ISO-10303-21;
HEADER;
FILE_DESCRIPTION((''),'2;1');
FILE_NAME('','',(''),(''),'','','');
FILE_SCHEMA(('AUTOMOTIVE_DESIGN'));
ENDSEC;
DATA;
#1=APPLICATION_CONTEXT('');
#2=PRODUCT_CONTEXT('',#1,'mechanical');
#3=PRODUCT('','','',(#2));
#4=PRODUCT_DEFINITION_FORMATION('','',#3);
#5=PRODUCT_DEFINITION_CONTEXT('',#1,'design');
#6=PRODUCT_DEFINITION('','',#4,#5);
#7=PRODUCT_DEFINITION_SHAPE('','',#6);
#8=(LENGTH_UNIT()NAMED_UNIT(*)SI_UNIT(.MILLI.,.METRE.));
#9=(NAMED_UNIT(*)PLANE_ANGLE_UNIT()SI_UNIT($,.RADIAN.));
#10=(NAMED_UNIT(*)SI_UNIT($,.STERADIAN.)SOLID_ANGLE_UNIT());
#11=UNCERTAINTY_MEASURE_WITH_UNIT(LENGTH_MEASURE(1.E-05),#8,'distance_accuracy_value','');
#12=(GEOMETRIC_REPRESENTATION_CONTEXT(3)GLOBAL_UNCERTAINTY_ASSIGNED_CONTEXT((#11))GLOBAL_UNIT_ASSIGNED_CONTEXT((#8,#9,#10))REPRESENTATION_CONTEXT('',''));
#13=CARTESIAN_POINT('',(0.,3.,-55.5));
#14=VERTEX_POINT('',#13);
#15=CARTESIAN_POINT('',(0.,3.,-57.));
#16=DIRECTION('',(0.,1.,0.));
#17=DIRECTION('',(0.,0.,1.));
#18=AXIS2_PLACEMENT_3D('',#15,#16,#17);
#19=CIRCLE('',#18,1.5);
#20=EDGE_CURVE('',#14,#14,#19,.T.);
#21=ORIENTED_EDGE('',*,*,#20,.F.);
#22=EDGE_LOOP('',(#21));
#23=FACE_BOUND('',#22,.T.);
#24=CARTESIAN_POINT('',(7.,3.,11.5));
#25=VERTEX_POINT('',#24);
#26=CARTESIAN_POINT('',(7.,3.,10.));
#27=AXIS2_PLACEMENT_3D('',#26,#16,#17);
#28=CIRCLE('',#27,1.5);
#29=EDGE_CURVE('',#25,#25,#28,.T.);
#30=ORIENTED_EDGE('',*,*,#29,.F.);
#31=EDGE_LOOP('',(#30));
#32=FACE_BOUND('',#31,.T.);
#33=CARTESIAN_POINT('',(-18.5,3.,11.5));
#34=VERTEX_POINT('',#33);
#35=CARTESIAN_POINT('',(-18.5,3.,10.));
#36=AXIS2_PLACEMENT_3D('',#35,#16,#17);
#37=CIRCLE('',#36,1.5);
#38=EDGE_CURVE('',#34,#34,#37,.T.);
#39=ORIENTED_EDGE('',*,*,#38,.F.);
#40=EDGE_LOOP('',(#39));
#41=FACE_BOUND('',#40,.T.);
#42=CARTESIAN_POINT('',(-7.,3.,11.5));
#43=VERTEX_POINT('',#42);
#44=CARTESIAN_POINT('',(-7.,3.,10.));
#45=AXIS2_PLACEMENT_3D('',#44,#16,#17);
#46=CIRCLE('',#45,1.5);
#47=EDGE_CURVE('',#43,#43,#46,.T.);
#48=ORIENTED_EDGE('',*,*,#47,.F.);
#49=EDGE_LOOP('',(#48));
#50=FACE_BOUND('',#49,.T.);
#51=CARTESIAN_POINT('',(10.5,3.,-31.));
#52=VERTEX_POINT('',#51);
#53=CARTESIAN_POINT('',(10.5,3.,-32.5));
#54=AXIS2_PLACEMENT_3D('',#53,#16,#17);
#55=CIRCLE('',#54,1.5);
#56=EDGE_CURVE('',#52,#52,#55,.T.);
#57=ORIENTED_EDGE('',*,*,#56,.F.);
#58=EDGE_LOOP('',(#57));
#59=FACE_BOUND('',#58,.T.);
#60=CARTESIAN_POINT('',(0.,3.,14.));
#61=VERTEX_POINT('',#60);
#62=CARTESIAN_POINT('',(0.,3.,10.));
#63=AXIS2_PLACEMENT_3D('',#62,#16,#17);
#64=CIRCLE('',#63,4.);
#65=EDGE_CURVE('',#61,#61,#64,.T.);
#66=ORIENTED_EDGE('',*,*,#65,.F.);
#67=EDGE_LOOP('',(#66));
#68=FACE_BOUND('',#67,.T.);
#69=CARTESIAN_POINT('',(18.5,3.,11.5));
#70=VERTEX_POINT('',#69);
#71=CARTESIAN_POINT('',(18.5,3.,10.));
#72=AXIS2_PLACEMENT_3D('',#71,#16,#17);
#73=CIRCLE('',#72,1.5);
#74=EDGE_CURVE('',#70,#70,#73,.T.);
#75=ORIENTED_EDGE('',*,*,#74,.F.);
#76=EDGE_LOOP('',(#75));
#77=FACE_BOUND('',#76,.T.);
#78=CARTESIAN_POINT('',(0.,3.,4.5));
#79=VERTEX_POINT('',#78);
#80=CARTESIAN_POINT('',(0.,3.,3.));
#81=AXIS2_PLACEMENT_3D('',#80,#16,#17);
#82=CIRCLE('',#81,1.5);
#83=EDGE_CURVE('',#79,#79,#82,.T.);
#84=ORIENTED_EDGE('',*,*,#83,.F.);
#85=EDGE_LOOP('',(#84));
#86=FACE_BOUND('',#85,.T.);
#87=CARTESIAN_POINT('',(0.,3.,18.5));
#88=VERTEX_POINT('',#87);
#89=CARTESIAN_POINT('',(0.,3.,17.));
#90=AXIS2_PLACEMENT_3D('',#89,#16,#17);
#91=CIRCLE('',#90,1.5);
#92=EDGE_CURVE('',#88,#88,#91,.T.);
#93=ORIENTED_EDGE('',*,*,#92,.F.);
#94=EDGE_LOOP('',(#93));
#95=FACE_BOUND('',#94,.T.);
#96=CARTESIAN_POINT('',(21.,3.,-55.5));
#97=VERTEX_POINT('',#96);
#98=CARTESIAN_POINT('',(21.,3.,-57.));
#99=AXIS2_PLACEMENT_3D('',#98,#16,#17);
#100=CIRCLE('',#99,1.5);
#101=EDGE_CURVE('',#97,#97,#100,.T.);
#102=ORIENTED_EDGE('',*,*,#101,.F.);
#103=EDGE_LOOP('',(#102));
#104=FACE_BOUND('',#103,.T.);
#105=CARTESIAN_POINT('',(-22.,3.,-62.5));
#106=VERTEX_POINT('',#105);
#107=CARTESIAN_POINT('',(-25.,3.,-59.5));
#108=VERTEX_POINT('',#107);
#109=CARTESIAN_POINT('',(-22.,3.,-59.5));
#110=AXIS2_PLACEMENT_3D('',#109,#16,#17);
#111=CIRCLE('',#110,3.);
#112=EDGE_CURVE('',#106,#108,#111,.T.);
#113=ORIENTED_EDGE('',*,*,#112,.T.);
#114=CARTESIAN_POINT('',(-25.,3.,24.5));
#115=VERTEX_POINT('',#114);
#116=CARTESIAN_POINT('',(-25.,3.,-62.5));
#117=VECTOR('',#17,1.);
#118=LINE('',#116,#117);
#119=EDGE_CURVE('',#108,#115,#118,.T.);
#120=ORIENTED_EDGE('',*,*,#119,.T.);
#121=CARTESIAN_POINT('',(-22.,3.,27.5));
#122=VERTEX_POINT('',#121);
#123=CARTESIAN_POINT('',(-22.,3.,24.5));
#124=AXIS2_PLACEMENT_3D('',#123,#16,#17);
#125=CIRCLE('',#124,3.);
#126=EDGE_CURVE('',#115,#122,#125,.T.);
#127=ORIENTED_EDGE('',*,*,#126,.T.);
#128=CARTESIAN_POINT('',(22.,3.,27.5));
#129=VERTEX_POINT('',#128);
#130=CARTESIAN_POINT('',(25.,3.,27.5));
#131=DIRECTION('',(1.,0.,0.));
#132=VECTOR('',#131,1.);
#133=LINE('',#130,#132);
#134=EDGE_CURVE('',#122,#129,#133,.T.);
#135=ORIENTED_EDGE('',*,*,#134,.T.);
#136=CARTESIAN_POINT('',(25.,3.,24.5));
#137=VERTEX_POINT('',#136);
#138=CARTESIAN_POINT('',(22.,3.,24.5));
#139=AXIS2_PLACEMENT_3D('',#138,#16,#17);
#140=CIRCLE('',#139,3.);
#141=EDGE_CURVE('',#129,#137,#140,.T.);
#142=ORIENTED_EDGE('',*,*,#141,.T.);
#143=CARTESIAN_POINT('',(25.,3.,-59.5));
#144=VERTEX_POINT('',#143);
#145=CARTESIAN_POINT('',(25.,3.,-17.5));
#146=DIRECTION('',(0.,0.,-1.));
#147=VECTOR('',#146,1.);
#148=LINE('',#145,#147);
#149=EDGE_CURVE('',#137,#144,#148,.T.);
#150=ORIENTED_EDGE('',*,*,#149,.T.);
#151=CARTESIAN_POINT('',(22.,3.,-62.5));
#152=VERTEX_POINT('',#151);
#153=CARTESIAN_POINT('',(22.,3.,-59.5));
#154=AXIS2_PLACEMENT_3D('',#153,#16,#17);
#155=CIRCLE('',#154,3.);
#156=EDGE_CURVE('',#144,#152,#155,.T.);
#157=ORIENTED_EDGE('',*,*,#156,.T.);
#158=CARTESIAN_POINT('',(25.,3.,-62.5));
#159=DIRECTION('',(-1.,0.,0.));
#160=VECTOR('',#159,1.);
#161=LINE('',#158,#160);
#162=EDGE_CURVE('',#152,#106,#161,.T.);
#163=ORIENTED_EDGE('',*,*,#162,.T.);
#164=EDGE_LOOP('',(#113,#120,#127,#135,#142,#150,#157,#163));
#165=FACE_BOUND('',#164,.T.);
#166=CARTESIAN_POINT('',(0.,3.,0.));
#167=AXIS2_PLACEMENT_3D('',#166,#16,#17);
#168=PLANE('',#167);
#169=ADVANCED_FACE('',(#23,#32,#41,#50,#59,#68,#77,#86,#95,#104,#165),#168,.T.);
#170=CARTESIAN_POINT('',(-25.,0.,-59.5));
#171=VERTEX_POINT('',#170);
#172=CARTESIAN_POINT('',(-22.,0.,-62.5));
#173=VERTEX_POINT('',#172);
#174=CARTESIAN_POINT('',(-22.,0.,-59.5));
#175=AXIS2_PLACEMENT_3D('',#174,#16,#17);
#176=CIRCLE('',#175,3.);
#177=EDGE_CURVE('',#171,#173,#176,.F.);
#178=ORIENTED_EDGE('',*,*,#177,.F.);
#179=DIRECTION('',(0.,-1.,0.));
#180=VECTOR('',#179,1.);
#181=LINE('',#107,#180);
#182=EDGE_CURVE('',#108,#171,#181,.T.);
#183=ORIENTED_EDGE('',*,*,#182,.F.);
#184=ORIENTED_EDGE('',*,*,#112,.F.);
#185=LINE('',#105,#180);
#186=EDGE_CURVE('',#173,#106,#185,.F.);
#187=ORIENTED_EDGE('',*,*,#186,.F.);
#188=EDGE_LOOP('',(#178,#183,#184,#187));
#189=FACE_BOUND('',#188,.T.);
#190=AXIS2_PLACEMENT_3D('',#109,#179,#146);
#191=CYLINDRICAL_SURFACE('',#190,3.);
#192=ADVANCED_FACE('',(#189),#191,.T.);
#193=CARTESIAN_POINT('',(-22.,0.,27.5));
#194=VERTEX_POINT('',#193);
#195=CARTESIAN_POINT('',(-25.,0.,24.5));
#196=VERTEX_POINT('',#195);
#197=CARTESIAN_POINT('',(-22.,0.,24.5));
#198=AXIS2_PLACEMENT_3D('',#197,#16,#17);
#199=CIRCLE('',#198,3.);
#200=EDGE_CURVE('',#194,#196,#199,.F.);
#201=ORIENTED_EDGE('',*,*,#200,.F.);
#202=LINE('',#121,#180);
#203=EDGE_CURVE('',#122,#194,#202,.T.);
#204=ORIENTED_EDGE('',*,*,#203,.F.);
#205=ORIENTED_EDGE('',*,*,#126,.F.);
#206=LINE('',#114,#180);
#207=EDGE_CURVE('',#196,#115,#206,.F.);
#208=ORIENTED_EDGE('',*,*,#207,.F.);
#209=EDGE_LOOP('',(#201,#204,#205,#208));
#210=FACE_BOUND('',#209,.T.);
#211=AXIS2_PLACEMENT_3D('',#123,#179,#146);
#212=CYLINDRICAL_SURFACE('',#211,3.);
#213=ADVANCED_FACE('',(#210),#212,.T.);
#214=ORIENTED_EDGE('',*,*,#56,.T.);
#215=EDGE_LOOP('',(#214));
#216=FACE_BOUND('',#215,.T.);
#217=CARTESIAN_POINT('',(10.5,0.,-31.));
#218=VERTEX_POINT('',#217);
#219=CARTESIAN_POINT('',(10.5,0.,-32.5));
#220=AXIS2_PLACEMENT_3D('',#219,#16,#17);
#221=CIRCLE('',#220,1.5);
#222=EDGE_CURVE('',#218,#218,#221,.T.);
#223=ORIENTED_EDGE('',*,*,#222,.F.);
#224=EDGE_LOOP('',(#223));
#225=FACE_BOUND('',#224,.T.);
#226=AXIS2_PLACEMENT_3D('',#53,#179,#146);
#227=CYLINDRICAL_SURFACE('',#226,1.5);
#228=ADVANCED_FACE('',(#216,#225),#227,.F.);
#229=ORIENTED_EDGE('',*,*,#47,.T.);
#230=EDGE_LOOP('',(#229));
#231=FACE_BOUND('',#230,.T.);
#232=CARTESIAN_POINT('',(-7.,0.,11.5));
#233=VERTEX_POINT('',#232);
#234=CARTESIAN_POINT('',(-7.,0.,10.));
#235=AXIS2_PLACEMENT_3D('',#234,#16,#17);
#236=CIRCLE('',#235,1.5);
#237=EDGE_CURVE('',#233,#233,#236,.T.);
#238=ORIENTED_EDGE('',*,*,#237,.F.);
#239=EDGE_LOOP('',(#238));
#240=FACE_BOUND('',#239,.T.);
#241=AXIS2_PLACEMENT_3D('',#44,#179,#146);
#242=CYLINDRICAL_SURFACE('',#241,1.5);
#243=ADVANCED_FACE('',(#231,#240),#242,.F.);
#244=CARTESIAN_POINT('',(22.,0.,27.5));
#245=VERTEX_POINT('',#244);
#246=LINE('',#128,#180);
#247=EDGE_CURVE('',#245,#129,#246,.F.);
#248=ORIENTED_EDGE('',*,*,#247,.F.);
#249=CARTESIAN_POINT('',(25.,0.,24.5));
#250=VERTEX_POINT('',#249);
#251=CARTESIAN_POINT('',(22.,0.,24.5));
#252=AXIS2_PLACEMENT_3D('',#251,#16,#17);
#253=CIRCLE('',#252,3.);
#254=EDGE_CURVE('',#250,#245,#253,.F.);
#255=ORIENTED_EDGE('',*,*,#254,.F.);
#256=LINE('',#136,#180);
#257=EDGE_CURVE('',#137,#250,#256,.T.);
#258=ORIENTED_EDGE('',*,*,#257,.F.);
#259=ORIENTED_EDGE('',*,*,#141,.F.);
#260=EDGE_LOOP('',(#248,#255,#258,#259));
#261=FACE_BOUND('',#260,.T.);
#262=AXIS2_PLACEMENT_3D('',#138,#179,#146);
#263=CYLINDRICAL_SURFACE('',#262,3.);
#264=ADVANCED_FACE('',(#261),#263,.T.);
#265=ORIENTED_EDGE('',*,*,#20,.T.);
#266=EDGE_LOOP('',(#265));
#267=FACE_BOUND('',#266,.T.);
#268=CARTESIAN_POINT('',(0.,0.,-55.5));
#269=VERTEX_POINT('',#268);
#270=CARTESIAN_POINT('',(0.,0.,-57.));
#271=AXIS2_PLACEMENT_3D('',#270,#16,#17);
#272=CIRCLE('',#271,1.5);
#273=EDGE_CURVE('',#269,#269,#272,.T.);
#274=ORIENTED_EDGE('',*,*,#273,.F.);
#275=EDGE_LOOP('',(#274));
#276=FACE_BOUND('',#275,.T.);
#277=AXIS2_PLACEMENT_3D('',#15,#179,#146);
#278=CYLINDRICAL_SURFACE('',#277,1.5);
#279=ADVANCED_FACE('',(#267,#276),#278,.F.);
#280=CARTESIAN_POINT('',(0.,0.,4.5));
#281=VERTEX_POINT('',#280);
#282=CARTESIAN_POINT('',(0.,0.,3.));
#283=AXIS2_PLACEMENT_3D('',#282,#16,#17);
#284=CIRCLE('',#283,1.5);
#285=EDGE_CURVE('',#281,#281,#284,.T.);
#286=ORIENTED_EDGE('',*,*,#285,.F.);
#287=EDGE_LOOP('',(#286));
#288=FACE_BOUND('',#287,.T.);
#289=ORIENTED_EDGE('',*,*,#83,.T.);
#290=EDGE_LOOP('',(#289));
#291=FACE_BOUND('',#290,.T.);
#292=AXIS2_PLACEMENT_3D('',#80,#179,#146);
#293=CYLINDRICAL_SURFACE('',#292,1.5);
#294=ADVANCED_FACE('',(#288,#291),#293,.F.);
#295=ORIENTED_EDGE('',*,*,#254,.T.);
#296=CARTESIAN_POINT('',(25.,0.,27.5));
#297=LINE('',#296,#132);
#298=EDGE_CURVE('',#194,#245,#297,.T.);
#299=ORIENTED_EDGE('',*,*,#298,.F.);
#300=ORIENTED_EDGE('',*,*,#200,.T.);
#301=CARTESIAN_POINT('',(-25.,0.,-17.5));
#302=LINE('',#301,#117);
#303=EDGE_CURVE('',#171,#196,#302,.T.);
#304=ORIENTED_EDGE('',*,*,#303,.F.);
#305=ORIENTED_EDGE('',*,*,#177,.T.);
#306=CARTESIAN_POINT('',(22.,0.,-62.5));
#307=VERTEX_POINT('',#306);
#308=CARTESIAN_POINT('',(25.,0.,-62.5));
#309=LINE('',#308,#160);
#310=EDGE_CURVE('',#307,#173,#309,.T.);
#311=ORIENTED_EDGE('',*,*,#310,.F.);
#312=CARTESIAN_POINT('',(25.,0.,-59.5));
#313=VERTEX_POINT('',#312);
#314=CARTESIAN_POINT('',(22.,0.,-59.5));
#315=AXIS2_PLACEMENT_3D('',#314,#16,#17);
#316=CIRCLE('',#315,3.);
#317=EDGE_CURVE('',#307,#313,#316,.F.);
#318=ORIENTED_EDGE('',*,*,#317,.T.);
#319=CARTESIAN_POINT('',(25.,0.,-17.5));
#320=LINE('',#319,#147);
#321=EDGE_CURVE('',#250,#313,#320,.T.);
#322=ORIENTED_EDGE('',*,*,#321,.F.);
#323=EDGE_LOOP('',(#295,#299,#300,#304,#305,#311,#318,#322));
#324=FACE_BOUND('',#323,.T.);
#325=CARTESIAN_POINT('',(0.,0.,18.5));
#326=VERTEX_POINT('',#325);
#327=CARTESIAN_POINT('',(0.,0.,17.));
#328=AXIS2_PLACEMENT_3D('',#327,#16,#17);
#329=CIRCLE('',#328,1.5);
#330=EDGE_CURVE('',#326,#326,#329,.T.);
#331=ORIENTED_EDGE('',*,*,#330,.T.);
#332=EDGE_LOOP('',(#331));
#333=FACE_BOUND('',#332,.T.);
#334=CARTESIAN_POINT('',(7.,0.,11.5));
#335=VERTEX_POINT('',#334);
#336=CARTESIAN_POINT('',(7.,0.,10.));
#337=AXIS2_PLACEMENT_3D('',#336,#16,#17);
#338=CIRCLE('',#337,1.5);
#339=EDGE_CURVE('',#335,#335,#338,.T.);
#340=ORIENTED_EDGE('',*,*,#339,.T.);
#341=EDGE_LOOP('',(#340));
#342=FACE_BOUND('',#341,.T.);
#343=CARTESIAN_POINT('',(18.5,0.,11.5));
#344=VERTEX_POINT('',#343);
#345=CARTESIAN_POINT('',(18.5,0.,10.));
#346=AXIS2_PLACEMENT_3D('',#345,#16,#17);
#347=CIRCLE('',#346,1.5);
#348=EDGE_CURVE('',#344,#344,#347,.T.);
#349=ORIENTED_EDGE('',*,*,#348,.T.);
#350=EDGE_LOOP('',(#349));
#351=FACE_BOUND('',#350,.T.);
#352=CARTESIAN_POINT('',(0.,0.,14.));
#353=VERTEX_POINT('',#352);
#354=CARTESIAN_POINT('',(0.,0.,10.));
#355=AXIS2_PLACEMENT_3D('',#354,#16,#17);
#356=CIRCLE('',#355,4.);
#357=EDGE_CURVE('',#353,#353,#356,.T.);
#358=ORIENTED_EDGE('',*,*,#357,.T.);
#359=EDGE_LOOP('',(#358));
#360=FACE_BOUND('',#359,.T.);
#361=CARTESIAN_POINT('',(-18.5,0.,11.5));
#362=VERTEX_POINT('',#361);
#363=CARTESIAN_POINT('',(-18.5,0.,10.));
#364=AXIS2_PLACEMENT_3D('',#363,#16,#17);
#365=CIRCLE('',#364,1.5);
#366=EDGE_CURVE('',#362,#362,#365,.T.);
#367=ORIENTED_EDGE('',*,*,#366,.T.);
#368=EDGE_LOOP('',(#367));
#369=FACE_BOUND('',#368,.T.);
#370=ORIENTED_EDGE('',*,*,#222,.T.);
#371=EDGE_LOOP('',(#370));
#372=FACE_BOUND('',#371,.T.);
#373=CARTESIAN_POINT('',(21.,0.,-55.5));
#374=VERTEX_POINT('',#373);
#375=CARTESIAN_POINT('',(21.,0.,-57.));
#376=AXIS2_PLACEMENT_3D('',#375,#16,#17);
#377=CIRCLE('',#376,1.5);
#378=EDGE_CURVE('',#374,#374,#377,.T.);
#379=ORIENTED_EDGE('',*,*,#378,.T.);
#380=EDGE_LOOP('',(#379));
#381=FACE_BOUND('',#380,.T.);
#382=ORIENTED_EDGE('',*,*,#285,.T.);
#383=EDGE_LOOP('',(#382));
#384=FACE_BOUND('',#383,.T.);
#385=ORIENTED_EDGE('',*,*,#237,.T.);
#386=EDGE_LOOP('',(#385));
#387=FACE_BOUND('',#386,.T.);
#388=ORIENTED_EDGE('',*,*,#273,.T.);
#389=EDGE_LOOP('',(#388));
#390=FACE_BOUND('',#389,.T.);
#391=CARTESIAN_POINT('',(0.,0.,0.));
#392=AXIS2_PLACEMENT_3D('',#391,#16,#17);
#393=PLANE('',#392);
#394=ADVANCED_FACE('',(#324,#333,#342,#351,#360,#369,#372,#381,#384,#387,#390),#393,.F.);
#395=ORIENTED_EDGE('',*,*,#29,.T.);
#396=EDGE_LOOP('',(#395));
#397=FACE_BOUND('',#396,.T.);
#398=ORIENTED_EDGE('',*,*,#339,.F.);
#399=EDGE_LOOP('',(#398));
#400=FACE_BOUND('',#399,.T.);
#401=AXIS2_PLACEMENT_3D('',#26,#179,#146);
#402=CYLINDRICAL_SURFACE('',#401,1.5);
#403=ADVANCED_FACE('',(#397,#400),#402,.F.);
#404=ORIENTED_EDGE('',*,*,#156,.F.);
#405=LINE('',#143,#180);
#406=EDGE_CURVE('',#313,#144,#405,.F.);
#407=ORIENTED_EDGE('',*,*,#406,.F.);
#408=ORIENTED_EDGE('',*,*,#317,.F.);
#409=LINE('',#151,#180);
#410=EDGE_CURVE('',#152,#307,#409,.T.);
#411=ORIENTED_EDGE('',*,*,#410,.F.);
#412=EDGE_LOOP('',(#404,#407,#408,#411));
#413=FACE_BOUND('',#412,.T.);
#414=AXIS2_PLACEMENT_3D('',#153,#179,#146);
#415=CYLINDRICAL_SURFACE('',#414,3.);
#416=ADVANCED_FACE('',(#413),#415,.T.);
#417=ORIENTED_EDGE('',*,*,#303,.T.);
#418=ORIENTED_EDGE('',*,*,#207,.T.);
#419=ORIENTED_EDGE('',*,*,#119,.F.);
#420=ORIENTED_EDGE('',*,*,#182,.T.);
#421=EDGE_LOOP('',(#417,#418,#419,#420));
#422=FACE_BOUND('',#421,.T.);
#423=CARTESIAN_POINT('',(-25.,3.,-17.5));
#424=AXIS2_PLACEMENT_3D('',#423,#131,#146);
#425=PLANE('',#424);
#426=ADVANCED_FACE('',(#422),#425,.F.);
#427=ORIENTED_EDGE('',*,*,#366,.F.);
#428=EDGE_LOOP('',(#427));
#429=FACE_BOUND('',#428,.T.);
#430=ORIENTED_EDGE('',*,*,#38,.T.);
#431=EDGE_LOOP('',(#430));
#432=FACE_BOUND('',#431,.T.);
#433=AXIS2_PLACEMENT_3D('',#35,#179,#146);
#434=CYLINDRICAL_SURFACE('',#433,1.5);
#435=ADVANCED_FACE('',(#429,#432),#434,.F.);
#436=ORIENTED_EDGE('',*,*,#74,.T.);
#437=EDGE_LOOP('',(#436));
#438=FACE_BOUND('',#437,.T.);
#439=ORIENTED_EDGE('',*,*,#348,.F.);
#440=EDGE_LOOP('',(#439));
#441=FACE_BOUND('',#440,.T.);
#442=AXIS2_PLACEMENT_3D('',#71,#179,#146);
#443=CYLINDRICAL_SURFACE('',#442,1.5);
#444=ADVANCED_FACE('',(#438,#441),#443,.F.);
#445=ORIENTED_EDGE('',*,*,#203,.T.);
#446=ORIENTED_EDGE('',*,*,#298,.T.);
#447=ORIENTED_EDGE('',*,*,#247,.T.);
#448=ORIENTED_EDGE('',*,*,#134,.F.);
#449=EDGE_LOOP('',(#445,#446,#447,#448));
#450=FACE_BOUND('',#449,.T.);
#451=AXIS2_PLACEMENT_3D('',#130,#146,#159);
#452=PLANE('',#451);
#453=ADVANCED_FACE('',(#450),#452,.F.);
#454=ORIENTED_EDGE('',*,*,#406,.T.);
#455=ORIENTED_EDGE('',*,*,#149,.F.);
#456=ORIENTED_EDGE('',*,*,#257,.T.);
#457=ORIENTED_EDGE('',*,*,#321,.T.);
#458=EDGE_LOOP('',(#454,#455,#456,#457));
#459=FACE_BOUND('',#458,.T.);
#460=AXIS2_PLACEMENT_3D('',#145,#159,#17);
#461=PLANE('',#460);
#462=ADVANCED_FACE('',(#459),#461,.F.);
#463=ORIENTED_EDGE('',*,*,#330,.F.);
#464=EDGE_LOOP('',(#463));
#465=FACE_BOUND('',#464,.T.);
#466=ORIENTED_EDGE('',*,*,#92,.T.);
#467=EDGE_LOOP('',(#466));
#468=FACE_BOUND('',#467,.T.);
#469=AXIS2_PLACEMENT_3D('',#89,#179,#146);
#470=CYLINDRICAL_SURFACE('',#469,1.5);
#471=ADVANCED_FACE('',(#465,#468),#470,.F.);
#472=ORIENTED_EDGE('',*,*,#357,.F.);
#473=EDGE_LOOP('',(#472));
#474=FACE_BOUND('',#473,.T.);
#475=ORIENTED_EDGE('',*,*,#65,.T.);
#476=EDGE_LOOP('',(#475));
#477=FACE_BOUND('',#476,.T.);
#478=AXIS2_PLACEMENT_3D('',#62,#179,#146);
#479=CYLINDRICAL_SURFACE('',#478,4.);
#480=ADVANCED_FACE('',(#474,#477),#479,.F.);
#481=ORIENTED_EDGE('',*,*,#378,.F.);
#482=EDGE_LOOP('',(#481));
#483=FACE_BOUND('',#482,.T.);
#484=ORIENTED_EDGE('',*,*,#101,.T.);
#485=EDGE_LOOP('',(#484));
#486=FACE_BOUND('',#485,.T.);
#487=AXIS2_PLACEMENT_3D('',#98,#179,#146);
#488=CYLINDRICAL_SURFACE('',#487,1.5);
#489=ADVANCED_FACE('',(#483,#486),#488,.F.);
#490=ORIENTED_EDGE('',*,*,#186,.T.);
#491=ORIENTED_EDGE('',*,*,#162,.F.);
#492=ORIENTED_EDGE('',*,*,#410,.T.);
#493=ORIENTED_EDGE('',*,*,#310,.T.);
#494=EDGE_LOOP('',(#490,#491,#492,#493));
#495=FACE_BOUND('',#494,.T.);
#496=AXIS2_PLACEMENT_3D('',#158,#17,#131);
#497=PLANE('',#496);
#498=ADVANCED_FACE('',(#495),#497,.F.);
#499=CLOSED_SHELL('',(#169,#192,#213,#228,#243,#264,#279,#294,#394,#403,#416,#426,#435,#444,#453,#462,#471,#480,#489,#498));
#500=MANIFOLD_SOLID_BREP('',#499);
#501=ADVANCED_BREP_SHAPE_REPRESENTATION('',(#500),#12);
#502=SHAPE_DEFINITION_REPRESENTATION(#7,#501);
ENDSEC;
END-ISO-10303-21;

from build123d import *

# Parameters (mm, degrees)
SKETCH_1_R      = 1.5
SKETCH_1_R_2    = 4
EXTRUDE_1_DEPTH = 3
FILLET_2_R      = 3


with BuildPart() as part:
    # 草图1 → 凸台-拉伸1 (new body)
    with BuildSketch(Plane(origin=(0, 0, 0), x_dir=(1, 0, 0), z_dir=(0, 1, 0))):
        Polygon((25, 17.5), (25, -27.5), (-25, -27.5), (-25, 17.5), (-25, 62.5), (25, 62.5), align=None)
        with Locations(Location((0, 57, 0), (0, 0, 270))):
            Circle(SKETCH_1_R, mode=Mode.SUBTRACT)
        with Locations(Location((10.5, 32.5, 0), (0, 0, 270))):
            Circle(SKETCH_1_R, mode=Mode.SUBTRACT)
        with Locations(Location((21, 57, 0), (0, 0, 270))):
            Circle(SKETCH_1_R, mode=Mode.SUBTRACT)
        with Locations(Location((0, -10, 0), (0, 0, 270))):
            Circle(SKETCH_1_R_2, mode=Mode.SUBTRACT)
        with Locations(Location((0, -3, 0), (0, 0, 270))):
            Circle(SKETCH_1_R, mode=Mode.SUBTRACT)
        with Locations(Location((-18.5, -10, 0), (0, 0, 270))):
            Circle(SKETCH_1_R, mode=Mode.SUBTRACT)
        with Locations(Location((18.5, -10, 0), (0, 0, 270))):
            Circle(SKETCH_1_R, mode=Mode.SUBTRACT)
        with Locations(Location((7, -10, 0), (0, 0, 270))):
            Circle(SKETCH_1_R, mode=Mode.SUBTRACT)
        with Locations(Location((0, -17, 0), (0, 0, 270))):
            Circle(SKETCH_1_R, mode=Mode.SUBTRACT)
        with Locations(Location((-7, -10, 0), (0, 0, 270))):
            Circle(SKETCH_1_R, mode=Mode.SUBTRACT)
    extrude(amount=EXTRUDE_1_DEPTH)

    # 圆角2
    fillet_2_edges = [part.edges().sort_by_distance(p)[0] for p in [
        (25, 1.5, 27.5),
        (-25, 1.5, 27.5),
        (-25, 1.5, -62.5),
        (25, 1.5, -62.5),
    ]]
    fillet(fillet_2_edges, radius=FILLET_2_R)


solid = part.part
